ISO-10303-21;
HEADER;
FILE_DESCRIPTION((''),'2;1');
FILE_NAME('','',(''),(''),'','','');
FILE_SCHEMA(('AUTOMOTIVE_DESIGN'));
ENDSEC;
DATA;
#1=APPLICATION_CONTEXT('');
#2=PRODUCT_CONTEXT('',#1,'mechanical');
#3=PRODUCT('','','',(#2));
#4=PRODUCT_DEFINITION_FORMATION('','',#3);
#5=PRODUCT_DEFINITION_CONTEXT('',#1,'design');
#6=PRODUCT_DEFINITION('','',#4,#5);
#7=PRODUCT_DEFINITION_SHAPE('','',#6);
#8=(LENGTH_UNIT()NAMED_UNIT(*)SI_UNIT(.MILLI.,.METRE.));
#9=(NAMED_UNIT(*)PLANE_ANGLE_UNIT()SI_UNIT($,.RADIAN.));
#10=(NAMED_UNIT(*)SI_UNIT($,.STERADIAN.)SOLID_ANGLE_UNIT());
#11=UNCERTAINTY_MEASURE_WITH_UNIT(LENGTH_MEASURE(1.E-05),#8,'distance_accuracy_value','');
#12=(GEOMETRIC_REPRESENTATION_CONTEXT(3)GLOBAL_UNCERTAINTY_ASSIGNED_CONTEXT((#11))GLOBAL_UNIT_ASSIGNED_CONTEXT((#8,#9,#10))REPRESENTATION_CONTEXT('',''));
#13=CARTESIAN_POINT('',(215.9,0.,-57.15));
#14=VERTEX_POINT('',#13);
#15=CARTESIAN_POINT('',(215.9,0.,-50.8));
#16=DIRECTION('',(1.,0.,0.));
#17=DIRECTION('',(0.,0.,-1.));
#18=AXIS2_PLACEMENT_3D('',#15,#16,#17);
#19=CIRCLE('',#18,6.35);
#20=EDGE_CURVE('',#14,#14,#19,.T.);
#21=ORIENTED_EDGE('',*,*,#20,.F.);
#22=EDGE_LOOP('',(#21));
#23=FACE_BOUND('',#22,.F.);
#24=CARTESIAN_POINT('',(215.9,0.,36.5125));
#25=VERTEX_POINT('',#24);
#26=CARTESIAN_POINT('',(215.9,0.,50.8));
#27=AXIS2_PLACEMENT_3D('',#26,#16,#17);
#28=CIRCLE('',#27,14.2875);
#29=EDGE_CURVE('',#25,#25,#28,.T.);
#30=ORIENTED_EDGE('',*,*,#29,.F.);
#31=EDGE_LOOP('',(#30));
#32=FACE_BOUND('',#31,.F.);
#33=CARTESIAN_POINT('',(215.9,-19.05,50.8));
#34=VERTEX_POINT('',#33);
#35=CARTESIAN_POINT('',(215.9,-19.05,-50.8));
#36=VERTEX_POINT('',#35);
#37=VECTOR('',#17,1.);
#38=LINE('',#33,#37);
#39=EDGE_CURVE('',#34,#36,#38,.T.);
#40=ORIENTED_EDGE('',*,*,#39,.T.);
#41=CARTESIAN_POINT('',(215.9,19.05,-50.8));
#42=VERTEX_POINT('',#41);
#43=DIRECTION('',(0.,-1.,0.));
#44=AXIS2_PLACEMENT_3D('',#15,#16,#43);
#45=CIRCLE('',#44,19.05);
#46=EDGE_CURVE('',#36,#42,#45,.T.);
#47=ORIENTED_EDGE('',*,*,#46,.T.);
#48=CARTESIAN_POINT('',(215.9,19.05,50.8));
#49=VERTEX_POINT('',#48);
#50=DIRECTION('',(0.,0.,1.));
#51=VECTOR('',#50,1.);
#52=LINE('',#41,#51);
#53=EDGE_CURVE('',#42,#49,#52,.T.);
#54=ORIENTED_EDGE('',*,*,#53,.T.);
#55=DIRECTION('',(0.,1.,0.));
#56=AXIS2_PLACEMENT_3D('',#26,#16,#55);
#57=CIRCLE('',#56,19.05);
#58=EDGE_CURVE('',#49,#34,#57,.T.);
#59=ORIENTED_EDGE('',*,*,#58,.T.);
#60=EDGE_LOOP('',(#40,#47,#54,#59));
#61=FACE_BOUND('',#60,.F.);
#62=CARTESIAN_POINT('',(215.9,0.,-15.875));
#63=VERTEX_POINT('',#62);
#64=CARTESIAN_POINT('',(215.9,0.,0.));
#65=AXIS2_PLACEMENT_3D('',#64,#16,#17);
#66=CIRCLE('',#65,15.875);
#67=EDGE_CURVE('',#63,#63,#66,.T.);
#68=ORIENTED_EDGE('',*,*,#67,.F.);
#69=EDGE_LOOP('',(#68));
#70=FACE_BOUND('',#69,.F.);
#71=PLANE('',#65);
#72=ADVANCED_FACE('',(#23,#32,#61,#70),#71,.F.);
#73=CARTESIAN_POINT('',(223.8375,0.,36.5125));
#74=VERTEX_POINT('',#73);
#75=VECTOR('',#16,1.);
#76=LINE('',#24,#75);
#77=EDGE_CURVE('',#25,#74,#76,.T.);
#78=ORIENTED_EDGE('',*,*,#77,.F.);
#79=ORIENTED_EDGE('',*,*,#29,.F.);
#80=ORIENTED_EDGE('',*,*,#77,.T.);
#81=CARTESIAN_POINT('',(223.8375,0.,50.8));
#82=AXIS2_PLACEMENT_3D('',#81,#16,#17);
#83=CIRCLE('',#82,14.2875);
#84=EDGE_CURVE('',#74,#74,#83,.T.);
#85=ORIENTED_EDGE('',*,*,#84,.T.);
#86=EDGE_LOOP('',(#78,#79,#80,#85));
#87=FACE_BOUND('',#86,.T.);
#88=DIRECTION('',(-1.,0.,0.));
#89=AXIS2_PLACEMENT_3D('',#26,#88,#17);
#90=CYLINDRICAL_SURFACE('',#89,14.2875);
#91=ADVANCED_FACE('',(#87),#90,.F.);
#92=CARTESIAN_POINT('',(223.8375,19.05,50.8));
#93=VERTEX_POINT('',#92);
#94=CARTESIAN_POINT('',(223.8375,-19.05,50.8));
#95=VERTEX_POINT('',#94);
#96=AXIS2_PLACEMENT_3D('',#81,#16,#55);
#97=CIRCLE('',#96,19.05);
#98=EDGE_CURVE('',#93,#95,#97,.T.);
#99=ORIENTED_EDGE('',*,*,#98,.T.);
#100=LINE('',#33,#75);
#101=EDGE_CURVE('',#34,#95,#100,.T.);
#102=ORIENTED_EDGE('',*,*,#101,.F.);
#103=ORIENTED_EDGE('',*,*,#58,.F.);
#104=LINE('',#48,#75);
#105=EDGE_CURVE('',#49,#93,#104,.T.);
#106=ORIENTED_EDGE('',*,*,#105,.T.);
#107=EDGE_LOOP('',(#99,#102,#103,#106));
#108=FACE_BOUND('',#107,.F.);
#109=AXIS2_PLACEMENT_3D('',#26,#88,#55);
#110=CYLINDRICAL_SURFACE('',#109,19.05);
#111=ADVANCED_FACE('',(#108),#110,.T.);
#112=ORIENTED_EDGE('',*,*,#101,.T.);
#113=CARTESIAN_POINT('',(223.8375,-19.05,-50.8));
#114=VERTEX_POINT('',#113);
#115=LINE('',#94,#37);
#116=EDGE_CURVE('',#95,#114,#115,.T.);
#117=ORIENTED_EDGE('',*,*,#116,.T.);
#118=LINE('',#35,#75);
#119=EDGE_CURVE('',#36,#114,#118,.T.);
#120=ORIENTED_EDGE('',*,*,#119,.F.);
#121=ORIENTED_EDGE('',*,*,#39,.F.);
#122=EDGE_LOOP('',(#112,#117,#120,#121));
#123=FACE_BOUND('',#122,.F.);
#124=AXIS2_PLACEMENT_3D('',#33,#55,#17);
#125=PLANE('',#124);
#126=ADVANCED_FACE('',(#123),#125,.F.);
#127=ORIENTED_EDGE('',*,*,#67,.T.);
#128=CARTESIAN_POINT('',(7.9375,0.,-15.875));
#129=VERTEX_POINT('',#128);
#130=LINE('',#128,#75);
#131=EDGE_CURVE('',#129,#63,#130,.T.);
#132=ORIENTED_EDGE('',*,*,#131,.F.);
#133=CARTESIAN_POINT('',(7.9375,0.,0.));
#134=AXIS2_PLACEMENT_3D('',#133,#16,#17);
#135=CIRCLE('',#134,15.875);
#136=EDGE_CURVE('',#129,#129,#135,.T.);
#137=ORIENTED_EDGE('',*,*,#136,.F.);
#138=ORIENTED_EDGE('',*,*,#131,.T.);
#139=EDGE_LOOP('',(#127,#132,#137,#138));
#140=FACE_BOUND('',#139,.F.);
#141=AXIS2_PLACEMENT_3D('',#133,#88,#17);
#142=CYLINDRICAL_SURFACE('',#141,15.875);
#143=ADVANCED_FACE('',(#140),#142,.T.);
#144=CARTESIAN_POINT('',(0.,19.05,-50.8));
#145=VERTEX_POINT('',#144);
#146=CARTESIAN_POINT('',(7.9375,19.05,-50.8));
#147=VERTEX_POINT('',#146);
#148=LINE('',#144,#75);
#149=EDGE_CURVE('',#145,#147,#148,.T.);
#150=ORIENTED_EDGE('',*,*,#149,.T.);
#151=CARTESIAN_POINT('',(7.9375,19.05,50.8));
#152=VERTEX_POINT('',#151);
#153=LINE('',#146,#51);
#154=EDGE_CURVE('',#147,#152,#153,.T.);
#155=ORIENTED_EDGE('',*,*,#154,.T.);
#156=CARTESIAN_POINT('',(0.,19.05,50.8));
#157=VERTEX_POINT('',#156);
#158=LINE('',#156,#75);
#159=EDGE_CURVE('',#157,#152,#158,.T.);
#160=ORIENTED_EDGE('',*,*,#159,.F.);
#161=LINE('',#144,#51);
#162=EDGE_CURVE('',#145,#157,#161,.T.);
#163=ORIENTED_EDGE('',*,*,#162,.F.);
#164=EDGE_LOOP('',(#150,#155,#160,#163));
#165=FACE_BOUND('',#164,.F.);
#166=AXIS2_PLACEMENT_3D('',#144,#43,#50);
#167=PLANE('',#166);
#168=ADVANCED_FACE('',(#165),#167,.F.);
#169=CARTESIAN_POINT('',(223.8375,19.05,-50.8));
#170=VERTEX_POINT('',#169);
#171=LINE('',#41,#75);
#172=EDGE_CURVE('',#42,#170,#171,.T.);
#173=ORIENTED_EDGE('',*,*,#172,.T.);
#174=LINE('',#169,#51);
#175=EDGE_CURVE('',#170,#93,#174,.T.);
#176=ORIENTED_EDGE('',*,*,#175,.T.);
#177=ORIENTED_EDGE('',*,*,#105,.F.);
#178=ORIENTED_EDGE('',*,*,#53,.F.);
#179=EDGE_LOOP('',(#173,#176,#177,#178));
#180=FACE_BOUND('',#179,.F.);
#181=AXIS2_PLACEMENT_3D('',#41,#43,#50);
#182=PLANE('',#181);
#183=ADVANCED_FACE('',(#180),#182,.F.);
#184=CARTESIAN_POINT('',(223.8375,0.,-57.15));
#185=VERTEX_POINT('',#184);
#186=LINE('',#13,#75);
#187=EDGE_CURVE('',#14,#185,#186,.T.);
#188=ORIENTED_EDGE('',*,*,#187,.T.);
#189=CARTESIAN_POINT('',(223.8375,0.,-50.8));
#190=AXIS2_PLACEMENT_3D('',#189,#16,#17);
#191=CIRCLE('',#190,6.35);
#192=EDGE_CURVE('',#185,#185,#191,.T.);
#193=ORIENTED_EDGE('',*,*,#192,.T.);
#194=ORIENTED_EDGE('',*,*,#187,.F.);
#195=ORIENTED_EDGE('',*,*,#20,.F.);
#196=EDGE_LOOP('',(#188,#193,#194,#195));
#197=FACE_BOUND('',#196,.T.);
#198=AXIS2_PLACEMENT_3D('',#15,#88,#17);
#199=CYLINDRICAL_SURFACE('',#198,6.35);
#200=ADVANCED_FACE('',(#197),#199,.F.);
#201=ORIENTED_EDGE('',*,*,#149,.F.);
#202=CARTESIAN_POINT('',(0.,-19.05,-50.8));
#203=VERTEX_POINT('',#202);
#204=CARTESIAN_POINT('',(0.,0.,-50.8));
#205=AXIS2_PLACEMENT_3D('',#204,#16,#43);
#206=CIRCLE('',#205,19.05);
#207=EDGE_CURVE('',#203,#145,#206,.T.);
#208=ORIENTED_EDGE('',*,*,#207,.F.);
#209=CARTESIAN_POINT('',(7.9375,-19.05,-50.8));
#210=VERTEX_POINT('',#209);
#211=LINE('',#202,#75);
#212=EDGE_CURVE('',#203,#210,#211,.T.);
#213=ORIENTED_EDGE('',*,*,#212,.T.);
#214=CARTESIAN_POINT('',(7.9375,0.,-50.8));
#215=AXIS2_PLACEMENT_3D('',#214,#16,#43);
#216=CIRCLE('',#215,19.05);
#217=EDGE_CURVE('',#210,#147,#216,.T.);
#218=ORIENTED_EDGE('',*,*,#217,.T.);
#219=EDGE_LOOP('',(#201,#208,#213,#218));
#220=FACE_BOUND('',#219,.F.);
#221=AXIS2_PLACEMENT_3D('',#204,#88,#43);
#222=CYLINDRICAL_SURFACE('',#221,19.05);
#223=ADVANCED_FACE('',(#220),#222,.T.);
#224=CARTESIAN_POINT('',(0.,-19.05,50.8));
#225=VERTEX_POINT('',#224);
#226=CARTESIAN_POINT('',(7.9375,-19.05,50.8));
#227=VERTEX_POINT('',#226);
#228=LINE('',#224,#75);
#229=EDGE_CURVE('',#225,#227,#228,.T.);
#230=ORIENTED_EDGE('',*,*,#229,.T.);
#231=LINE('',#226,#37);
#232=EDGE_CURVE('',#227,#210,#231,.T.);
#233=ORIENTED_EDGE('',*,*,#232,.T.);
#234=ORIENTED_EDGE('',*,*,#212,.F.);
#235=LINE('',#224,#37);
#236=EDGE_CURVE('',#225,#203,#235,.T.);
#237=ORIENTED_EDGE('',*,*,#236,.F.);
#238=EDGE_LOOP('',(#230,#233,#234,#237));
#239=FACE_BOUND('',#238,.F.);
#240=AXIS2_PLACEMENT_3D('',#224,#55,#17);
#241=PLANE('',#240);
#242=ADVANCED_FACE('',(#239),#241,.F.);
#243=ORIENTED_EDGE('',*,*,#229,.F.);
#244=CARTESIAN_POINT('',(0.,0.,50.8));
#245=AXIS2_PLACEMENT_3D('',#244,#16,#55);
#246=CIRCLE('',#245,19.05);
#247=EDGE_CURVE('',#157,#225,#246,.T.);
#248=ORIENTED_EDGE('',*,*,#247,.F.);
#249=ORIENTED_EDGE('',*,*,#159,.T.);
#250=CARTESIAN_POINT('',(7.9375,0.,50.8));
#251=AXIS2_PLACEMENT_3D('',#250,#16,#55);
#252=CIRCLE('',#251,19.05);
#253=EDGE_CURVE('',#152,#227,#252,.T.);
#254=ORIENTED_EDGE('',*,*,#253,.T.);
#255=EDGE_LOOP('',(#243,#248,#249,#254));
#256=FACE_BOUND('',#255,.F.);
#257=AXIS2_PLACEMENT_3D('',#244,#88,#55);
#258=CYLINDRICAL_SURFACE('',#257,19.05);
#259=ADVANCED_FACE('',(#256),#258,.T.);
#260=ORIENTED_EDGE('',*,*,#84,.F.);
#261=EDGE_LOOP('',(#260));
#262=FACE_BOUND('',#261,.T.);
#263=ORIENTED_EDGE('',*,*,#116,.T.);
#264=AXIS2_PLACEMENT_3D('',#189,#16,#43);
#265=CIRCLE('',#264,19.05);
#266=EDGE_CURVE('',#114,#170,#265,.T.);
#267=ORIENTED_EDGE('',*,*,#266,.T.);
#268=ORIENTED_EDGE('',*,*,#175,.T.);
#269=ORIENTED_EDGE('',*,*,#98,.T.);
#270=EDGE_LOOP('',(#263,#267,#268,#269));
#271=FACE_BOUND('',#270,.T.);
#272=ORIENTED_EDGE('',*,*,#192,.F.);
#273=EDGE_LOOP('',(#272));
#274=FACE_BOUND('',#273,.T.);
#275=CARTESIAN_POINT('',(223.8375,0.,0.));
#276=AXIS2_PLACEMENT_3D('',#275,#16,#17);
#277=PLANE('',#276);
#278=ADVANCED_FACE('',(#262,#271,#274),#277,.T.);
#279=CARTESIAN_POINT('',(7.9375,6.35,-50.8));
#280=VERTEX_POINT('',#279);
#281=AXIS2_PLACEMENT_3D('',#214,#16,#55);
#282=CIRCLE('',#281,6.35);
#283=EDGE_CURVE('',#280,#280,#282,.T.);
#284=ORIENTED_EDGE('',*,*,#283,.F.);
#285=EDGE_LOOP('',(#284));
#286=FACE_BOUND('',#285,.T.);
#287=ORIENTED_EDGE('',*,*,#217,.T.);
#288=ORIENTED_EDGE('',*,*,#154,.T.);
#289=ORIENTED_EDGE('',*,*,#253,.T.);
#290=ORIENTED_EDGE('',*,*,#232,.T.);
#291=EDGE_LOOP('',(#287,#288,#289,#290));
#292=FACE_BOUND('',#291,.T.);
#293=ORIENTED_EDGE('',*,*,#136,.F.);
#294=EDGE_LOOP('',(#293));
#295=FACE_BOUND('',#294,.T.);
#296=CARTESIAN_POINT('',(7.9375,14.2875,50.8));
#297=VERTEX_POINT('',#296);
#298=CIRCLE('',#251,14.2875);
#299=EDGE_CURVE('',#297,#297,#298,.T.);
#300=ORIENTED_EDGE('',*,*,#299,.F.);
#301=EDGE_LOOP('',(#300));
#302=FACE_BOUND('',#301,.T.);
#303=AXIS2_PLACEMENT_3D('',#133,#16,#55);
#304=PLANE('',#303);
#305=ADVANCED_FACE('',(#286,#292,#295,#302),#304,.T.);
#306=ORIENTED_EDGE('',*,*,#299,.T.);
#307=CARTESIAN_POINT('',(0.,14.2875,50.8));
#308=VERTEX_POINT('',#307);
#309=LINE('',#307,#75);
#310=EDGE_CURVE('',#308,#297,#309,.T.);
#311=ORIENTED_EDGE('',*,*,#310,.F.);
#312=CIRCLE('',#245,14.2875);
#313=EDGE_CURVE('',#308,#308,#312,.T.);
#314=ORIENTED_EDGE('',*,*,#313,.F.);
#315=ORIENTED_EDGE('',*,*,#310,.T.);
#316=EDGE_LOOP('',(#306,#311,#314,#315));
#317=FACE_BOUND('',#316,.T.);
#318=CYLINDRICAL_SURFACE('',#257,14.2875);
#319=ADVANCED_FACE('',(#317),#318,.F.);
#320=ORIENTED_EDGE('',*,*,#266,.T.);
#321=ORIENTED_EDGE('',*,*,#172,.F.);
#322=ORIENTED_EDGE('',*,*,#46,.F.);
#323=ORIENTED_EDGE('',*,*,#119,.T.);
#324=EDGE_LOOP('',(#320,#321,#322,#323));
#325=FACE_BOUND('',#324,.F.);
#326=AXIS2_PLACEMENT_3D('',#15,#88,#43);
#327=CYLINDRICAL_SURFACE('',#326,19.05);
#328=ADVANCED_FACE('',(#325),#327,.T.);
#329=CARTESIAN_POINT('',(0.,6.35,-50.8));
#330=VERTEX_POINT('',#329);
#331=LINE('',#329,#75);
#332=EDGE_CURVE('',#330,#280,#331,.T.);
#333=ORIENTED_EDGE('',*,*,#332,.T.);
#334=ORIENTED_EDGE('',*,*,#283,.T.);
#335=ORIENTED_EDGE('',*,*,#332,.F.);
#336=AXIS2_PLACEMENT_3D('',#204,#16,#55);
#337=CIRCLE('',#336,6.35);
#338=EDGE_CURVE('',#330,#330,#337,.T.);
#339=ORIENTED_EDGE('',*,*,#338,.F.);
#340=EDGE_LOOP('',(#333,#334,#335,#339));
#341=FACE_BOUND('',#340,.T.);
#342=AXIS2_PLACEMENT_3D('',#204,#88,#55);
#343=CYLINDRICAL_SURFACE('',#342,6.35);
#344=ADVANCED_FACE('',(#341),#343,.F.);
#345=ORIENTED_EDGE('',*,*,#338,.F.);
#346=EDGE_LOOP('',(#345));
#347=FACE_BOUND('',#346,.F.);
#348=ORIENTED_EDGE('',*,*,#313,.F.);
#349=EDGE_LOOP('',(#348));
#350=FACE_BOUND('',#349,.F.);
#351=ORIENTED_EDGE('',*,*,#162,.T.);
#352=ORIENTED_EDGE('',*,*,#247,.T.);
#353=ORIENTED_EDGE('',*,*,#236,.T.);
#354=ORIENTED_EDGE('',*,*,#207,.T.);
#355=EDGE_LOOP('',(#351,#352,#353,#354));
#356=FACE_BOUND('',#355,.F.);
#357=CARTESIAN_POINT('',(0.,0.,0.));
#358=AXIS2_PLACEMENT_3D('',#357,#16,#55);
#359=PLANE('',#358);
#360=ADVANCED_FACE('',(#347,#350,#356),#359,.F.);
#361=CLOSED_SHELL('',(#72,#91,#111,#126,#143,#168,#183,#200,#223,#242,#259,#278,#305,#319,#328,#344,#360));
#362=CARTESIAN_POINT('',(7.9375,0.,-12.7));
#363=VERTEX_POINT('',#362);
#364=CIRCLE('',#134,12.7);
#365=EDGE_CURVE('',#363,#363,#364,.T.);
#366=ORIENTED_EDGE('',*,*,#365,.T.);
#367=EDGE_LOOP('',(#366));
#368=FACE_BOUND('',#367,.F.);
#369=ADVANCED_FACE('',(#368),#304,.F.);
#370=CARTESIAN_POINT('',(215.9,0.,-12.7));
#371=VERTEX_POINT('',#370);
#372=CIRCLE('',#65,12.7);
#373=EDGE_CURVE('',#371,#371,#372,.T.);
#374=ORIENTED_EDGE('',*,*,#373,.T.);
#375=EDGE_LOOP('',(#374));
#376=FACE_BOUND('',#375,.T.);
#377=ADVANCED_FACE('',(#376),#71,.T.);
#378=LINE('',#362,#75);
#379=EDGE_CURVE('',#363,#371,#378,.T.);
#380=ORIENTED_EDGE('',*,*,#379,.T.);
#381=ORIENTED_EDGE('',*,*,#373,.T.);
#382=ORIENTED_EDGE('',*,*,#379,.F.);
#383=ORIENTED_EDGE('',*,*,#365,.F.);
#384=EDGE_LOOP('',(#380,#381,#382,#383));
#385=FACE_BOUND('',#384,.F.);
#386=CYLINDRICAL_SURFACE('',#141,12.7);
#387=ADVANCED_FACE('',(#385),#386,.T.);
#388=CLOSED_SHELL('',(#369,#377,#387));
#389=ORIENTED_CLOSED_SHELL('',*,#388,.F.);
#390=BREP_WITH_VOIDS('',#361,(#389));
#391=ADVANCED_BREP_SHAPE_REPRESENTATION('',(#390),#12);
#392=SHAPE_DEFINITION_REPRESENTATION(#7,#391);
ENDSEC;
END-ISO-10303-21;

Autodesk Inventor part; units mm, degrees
ref_plane "YZ Plane" through (0, 0, 0) normal (1, 0, 0) x (0, 1, 0)
ref_plane "XZ Plane" through (0, 0, 0) normal (0, 1, 0) x (-1, 0, 0)
sketch "Sketch1" plane through (0, 0, 0) normal (1, 0, 0) x (0, 1, 0)
  line L0 (0, -50.8) -> (0, 50.8) construction
  line L1 (19.05, -50.8) -> (19.05, 50.8)
  line L2 (-19.05, 50.8) -> (-19.05, -50.8)
  arc A0 (-19.05, -50.8) -> (19.05, -50.8) centre (0, -50.8) ccw
  arc A1 (19.05, 50.8) -> (-19.05, 50.8) centre (0, 50.8) ccw
  circle A2 centre (0, 50.8) radius 14.2875
  circle A3 centre (0, -50.8) radius 6.35
  point P0 (0, 0)
  dimension "d0" = 50.8
  dimension "d1" = 38.1
  dimension "d2" = 28.575
  dimension "d12" = 12.7
extrude "Extrusion1" add sketch "Sketch1" along normal blind 7.9375
sketch "Sketch2" plane through (7.9375, 0, 0) normal (1, 0, 0) x (0, 0, -1)
  circle A0 centre (0, 0) radius 12.7
  circle A1 centre (0, 0) radius 15.875
  dimension "d5" = 25.4
  dimension "d6" = 31.75
extrude "Extrusion2" add sketch "Sketch2" along normal blind 207.9625
ref_plane "Work Plane1" through (215.9, 0, 0) normal (1, 0, 0) x (0, 0, -1)
sketch "Sketch3" plane through (215.9, 0, 0) normal (1, 0, 0) x (0, 0, -1)
  arc A0 (-50.8, 19.05) -> (-50.8, -19.05) centre (-50.8, 0) ccw projected
  circle A1 centre (-50.8, 0) radius 14.2875 projected
  line L0 (50.8, 19.05) -> (-50.8, 19.05) projected
  arc A2 (50.8, -19.05) -> (50.8, 19.05) centre (50.8, 0) ccw projected
  line L1 (-50.8, -19.05) -> (50.8, -19.05) projected
  circle A3 centre (50.8, 0) radius 6.35 projected
  point P0 (0, 0)
  dimension "d13" = 101.6
extrude "Extrusion3" add sketch "Sketch3" along normal blind 7.9375
properties part number "toggle" material "Steel, Wrought"
